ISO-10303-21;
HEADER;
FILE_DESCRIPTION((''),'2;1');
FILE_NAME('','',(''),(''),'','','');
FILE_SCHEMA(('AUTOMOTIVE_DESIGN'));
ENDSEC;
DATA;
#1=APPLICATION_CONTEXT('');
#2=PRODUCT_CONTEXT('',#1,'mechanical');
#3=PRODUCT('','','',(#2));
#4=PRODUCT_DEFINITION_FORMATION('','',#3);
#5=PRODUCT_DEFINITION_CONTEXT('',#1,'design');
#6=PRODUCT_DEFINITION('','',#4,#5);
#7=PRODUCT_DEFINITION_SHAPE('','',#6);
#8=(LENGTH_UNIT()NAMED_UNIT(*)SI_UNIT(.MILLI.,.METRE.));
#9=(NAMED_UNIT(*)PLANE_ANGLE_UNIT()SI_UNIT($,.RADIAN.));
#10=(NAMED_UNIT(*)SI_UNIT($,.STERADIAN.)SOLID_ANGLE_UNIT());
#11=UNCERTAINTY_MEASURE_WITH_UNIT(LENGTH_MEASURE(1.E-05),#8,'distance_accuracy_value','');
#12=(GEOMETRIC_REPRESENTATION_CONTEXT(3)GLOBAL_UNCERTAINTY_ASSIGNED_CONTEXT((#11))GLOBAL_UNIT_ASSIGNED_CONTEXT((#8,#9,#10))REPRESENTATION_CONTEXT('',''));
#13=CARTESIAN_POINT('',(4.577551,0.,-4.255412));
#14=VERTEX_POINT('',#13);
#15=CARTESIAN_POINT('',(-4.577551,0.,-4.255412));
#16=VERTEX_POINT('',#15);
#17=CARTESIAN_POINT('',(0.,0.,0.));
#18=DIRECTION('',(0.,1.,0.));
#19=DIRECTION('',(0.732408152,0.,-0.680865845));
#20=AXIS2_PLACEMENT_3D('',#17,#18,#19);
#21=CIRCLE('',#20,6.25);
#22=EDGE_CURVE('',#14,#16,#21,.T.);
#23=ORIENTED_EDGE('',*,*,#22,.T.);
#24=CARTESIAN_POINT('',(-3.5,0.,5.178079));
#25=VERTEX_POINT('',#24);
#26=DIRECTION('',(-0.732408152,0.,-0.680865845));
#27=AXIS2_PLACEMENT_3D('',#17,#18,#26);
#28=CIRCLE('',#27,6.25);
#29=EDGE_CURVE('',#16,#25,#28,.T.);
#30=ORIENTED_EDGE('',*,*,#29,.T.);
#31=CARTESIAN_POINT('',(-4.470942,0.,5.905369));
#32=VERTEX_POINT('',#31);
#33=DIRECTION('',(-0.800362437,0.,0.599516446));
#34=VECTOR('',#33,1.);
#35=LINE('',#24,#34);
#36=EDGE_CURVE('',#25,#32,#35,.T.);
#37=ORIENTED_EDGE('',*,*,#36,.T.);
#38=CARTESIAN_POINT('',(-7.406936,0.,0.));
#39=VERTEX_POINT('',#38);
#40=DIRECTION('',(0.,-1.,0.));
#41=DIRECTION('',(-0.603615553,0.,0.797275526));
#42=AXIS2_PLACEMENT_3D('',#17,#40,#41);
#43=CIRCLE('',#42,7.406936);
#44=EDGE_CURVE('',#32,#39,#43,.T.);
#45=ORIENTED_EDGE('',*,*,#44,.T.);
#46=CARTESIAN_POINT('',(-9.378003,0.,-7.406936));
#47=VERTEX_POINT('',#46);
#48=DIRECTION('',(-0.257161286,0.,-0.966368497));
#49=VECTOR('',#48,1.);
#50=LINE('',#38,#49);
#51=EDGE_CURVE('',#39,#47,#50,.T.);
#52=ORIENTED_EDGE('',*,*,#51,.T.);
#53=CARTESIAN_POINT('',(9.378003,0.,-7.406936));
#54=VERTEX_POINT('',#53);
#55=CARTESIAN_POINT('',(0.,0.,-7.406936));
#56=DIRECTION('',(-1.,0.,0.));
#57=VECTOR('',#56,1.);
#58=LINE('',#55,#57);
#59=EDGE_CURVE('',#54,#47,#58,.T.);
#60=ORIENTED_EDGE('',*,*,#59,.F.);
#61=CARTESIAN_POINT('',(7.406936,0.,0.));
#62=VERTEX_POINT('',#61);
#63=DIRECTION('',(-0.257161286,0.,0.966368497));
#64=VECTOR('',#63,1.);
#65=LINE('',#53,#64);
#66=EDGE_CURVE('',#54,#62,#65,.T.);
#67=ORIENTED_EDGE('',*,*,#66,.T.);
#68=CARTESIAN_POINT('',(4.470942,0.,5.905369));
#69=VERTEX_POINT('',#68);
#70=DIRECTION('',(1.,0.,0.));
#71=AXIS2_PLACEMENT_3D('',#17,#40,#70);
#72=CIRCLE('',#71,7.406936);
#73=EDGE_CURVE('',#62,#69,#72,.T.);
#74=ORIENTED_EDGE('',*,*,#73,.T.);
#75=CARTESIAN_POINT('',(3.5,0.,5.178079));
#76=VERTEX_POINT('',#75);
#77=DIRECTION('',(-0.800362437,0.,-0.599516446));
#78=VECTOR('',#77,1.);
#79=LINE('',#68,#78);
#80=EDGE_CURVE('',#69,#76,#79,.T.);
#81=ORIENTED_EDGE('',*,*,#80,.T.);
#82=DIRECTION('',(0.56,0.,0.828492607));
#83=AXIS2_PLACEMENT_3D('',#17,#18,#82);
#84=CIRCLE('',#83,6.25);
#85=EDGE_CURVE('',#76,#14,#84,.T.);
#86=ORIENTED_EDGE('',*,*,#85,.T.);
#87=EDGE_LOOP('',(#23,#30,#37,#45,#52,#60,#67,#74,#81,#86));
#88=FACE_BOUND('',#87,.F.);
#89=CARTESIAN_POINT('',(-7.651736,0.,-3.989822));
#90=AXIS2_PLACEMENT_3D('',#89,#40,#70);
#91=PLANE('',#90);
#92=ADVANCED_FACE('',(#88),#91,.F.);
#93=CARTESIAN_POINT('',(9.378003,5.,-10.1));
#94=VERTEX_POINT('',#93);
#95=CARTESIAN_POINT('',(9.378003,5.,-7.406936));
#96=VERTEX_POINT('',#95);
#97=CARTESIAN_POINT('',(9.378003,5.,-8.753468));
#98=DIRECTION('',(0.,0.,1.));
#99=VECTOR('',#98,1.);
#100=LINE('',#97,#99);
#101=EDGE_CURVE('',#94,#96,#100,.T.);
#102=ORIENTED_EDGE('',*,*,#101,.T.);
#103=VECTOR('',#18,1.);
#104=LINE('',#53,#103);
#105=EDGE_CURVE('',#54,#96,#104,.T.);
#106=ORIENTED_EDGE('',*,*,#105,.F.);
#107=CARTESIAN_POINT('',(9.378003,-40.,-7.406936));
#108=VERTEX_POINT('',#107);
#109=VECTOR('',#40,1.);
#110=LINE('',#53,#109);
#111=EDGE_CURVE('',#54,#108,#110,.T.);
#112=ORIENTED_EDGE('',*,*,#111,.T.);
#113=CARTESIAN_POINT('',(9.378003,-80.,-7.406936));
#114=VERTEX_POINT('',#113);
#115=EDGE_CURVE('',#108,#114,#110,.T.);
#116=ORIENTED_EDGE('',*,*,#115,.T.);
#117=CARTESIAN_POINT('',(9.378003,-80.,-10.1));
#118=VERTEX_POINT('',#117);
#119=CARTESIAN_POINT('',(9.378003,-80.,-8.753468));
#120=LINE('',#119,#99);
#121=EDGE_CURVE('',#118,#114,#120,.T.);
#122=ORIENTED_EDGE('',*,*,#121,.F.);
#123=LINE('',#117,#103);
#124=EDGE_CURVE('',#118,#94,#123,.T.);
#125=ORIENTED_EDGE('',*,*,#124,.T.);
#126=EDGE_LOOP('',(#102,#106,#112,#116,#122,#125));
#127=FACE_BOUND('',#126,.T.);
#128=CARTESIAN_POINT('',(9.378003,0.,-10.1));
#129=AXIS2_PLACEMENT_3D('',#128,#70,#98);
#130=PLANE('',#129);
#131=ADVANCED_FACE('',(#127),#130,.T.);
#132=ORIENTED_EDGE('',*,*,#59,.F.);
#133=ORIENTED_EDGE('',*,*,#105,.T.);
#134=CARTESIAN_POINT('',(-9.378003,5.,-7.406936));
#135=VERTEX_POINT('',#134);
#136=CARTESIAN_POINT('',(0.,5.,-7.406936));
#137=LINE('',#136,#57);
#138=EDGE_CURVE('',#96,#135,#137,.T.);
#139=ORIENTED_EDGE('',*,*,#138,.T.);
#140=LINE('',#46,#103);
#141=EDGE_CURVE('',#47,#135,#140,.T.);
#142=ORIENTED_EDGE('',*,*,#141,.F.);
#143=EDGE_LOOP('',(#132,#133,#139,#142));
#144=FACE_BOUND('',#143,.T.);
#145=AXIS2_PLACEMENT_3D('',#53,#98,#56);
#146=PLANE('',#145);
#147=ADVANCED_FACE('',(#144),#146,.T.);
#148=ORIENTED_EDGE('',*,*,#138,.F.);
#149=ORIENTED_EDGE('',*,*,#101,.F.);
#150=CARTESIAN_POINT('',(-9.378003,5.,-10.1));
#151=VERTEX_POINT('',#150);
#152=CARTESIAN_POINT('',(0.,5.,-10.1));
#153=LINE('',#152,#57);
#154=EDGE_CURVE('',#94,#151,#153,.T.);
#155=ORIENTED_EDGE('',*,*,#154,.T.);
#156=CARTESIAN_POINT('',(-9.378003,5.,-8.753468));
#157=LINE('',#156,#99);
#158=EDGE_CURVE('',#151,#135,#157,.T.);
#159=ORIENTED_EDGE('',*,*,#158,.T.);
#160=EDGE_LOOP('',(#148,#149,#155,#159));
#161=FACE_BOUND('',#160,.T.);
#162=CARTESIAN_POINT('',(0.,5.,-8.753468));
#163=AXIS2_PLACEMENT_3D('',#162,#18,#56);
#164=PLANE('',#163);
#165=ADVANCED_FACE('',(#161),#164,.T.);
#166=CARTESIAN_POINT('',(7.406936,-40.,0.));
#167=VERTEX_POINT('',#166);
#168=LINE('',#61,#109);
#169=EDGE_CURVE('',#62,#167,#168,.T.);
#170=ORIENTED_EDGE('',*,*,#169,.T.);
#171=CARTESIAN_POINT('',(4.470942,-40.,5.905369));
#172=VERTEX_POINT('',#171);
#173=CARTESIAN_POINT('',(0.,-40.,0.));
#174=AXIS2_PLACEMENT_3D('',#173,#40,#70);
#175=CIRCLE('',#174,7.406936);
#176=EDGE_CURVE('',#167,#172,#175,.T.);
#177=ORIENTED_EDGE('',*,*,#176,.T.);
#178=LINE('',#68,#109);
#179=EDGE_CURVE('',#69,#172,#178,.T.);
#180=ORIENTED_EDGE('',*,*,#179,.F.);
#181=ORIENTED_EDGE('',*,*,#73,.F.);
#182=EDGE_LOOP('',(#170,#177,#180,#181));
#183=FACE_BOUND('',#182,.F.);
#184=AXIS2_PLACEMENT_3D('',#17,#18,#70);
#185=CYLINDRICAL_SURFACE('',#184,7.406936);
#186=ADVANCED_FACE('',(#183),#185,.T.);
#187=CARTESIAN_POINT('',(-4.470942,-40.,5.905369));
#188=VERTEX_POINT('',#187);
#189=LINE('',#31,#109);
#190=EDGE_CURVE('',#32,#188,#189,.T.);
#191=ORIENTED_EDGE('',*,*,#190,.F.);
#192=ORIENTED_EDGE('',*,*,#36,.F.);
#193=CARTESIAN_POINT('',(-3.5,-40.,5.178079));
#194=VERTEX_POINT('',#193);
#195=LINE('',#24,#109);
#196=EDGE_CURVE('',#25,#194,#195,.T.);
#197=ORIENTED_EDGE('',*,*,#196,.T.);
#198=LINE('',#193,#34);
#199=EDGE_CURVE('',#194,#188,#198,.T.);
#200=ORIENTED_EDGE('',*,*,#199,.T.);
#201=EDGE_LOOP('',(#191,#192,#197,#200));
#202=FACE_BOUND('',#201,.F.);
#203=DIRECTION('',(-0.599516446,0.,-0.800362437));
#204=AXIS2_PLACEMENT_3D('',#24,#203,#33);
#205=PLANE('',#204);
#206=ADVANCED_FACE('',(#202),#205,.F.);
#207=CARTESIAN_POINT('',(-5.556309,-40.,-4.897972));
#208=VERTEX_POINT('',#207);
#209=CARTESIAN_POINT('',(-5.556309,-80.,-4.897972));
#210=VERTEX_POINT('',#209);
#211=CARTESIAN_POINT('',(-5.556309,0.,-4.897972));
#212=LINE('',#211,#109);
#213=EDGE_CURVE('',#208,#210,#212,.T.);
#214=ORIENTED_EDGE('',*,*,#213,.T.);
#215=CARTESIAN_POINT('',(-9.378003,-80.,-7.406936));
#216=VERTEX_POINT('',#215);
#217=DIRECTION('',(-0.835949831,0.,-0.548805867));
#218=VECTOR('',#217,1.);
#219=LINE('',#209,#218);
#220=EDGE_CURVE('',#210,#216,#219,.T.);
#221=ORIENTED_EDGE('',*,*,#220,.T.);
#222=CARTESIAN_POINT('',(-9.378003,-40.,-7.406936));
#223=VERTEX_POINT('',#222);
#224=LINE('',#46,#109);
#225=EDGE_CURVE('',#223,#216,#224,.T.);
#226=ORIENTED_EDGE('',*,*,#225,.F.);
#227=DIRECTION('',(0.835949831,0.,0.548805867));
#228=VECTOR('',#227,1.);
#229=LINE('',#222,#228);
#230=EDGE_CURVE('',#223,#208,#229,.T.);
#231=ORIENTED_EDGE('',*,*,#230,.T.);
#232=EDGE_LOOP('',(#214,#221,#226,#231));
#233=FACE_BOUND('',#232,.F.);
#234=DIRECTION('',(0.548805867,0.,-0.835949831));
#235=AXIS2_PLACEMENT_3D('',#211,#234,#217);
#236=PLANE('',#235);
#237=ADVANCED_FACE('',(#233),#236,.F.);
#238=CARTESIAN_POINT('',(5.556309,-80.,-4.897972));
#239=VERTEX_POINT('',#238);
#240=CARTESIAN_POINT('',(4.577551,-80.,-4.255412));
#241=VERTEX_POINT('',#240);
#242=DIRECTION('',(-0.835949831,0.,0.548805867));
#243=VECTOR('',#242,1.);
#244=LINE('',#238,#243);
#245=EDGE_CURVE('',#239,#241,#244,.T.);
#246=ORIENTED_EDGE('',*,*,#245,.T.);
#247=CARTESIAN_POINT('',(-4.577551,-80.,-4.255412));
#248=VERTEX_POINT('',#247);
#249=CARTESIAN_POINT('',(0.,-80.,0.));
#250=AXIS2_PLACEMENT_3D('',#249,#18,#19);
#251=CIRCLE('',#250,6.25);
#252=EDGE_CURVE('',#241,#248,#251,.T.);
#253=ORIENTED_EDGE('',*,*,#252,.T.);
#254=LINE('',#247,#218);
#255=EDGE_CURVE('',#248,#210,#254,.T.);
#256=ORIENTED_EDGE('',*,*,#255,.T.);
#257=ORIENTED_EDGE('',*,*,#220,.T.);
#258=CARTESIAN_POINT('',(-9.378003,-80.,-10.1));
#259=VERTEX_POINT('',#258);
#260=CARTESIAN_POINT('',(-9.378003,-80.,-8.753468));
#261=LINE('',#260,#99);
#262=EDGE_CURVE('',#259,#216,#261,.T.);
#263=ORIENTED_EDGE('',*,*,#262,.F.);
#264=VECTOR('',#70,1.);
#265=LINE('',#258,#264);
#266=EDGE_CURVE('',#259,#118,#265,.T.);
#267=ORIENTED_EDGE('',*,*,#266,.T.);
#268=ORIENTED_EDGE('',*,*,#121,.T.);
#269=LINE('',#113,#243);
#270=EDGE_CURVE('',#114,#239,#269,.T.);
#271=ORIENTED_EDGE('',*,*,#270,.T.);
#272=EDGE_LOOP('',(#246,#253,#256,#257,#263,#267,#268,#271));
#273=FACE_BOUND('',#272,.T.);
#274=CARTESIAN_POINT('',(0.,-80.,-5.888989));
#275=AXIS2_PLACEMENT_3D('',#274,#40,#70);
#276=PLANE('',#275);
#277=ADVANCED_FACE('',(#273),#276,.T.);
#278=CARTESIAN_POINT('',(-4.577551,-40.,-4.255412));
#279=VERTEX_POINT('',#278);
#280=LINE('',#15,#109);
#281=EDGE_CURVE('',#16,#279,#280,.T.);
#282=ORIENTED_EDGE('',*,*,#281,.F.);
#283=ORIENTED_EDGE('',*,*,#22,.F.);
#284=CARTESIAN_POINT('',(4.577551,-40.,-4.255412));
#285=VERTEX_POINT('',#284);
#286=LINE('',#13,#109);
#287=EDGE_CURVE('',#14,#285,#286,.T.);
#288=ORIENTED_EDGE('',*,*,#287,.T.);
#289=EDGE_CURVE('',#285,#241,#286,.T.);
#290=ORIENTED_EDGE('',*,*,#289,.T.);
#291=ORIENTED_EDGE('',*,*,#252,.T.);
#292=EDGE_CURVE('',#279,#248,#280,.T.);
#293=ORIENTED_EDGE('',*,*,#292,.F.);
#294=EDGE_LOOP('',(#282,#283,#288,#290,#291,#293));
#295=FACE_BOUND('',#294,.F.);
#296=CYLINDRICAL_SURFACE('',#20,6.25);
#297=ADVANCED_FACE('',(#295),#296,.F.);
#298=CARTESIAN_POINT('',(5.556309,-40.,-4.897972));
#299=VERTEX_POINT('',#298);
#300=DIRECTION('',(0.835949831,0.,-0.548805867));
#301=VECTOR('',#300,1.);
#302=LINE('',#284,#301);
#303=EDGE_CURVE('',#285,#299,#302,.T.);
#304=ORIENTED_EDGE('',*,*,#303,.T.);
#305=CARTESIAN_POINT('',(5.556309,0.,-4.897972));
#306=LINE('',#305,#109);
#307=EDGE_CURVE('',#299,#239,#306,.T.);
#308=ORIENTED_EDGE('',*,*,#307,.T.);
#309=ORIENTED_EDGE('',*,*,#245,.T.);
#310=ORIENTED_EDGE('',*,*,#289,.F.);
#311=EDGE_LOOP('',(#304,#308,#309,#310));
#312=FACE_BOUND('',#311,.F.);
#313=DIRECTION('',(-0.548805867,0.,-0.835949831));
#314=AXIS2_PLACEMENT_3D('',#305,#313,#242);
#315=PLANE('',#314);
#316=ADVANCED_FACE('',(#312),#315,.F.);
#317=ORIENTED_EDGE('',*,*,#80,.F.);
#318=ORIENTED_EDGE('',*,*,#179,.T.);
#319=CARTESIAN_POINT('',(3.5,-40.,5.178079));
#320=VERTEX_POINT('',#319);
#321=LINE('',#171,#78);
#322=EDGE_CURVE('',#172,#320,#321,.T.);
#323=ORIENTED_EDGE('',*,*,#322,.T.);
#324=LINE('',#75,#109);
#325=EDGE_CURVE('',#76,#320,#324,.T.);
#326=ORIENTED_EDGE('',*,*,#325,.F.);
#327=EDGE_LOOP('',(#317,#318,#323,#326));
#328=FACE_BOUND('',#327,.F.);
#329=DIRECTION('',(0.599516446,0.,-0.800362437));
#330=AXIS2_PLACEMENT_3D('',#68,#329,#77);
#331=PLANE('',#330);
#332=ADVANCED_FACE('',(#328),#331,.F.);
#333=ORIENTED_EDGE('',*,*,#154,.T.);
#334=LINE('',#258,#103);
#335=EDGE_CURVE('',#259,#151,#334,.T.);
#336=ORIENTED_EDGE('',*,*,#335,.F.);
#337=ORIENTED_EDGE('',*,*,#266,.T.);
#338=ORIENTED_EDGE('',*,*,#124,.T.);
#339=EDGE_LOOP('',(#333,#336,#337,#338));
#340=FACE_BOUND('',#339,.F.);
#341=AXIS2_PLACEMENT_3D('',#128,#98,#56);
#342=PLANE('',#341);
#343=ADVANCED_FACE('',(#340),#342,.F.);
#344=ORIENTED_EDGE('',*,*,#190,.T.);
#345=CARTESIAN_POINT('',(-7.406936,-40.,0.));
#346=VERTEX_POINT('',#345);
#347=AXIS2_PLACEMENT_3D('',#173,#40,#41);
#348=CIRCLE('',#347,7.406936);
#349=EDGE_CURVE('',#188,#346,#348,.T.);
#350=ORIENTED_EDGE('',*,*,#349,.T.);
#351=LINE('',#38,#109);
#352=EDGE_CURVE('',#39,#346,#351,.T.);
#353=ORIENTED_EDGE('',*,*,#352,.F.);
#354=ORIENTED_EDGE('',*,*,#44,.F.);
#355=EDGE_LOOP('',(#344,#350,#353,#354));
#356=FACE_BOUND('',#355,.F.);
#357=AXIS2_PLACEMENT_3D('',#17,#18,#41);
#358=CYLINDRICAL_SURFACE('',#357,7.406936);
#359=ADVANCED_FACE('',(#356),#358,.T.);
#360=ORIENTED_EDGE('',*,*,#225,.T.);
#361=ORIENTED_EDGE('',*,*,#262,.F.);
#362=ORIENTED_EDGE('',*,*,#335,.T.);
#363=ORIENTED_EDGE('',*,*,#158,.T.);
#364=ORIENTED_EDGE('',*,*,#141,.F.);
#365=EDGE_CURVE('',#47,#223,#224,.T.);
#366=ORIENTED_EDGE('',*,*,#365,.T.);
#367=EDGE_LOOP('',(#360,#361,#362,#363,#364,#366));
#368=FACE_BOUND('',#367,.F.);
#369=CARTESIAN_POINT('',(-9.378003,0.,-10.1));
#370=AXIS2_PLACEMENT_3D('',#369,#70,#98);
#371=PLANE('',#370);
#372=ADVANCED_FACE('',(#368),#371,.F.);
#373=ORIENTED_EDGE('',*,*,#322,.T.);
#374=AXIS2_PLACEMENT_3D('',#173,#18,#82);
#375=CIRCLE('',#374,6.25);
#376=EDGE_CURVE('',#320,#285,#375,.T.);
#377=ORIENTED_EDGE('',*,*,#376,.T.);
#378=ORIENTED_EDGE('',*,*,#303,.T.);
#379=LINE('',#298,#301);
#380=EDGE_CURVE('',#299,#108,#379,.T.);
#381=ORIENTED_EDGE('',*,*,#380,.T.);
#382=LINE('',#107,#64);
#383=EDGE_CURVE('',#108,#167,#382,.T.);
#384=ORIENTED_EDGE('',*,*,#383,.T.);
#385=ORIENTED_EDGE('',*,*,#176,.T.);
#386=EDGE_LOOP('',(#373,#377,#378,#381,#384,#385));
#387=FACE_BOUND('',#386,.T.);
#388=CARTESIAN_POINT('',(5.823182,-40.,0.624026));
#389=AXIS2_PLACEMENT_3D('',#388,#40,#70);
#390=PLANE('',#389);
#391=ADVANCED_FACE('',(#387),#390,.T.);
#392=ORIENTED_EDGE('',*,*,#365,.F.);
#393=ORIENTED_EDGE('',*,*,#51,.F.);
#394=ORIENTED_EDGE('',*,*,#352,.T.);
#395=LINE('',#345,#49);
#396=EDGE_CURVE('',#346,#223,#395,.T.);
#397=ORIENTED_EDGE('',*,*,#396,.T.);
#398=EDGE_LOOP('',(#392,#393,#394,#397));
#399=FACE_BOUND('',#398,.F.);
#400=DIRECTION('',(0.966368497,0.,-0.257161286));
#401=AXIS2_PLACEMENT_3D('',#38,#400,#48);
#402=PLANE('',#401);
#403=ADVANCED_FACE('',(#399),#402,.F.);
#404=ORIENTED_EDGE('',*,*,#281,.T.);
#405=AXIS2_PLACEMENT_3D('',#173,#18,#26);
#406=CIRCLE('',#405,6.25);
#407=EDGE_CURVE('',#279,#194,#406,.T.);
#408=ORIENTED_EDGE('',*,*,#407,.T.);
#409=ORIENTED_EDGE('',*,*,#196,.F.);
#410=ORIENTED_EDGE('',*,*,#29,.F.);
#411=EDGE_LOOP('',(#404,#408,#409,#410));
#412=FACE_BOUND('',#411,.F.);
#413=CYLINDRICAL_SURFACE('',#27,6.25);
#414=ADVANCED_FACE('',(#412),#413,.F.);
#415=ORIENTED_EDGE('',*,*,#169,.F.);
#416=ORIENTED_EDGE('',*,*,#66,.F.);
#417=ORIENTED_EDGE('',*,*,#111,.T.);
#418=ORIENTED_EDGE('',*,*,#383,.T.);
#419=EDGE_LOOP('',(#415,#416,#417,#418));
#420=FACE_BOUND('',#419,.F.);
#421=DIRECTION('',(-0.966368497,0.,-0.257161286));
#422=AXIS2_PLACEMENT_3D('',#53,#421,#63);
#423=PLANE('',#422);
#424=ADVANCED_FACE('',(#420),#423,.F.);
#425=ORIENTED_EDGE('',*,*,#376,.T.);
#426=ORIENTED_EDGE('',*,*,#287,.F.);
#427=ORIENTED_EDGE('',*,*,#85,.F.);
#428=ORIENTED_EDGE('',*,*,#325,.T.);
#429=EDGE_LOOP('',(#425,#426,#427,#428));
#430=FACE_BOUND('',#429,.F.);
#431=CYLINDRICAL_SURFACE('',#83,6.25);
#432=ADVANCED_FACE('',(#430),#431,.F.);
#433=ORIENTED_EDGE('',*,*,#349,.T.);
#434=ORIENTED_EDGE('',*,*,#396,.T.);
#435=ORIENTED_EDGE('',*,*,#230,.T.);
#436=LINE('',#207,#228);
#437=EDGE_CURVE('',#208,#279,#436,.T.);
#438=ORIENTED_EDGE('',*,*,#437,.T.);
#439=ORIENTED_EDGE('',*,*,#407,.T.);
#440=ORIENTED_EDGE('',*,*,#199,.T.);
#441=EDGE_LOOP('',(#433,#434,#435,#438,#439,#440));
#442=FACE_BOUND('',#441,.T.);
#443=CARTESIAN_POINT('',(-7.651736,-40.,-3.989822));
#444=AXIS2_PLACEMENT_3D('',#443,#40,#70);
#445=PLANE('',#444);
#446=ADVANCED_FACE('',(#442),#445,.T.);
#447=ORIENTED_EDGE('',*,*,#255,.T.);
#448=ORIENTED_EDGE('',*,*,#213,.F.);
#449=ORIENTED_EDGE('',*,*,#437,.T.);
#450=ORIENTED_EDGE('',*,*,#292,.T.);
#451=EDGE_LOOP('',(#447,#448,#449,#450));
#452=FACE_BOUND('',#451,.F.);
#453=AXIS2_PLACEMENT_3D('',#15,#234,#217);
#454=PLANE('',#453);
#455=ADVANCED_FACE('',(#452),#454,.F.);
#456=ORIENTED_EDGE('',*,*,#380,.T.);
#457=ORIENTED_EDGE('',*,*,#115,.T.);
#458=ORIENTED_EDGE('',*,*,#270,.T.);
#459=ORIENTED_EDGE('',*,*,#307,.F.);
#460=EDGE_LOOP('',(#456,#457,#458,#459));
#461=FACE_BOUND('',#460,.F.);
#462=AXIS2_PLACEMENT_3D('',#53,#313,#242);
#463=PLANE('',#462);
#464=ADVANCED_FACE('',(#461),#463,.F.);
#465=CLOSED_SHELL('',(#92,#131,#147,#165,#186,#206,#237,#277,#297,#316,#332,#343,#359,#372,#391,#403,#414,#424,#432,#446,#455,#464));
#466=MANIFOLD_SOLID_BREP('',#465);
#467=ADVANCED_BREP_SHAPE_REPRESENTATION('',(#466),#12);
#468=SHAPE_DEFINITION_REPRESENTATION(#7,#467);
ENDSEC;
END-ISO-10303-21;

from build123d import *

# Parameters (mm, degrees)
F0_W     = 9.3780029565
F0_H     = 2.6930641449
F1_DEPTH = 80
F2_DEPTH = 40
F3_W     = 18.756005913
F3_H     = 2.6930641449
F4_DEPTH = 5


with BuildPart() as f1:
    # F0 (on Front) → F1 (new body)
    with BuildSketch(Plane.XZ):
        with BuildLine():
            ThreePointArc((4.5775509482, -4.2554115332), (0, -6.25), (-4.5775509482, -4.2554115332))
            Line((-4.5775509482, -4.2554115332), (-5.5563090648, -4.8979718597))
            ThreePointArc((-5.5563090648, -4.8979718597), (-3.0482564998, -6.7506170883), (0, -7.4069358551))
            ThreePointArc((0, -7.4069358551), (3.0482564998, -6.7506170883), (5.5563090648, -4.8979718597))
            Line((5.5563090648, -4.8979718597), (4.5775509482, -4.2554115332))
        make_face()
        with BuildLine():
            Line((9.3780029565, -7.4069358551), (5.5563090648, -4.8979718597))
            ThreePointArc((5.5563090648, -4.8979718597), (3.0482564998, -6.7506170883), (0, -7.4069358551))
            Line((0, -7.4069358551), (9.3780029565, -7.4069358551))
        make_face()
        with BuildLine():
            ThreePointArc((0, -7.4069358551), (-3.0482564998, -6.7506170883), (-5.5563090648, -4.8979718597))
            Line((-5.5563090648, -4.8979718597), (-9.3780029565, -7.4069358551))
            Line((-9.3780029565, -7.4069358551), (0, -7.4069358551))
        make_face()
        with Locations((-4.6890014783, -8.7534679275)):
            Rectangle(F0_W, F0_H)
        with Locations((4.6890014783, -8.7534679275)):
            Rectangle(F0_W, F0_H)
    extrude(amount=F1_DEPTH)

    # F0 (on Front) → F2 (join)
    with BuildSketch(Plane.XZ):
        with BuildLine():
            Line((-9.3780029565, -7.4069358551), (-5.5563090648, -4.8979718597))
            ThreePointArc((-5.5563090648, -4.8979718597), (-6.9288499621, -2.6179642785), (-7.4069358551, 0))
            Line((-7.4069358551, 0), (-9.3780029565, -7.4069358551))
        make_face()
        with BuildLine():
            ThreePointArc((-4.5775509482, -4.2554115332), (-6.2096209441, 0.7093008742), (-3.5, 5.1780787943))
            Line((-3.5, 5.1780787943), (-4.4709416805, 5.9053686803))
            ThreePointArc((-4.4709416805, 5.9053686803), (-6.6324458912, 3.2974778636), (-7.4069358551, 0))
            ThreePointArc((-7.4069358551, 0), (-6.9288499621, -2.6179642785), (-5.5563090648, -4.8979718597))
            Line((-5.5563090648, -4.8979718597), (-4.5775509482, -4.2554115332))
        make_face()
        with BuildLine():
            ThreePointArc((3.5, 5.1780787943), (6.2096209441, 0.7093008742), (4.5775509482, -4.2554115332))
            Line((4.5775509482, -4.2554115332), (5.5563090648, -4.8979718597))
            ThreePointArc((5.5563090648, -4.8979718597), (6.9288499621, -2.6179642785), (7.4069358551, 0))
            ThreePointArc((7.4069358551, 0), (6.6324458912, 3.2974778636), (4.4709416805, 5.9053686803))
            Line((4.4709416805, 5.9053686803), (3.5, 5.1780787943))
        make_face()
        with BuildLine():
            ThreePointArc((7.4069358551, 0), (6.9288499621, -2.6179642785), (5.5563090648, -4.8979718597))
            Line((5.5563090648, -4.8979718597), (9.3780029565, -7.4069358551))
            Line((9.3780029565, -7.4069358551), (7.4069358551, 0))
        make_face()
    extrude(amount=F2_DEPTH)

    # F3 (on face) → F4 (join)
    with BuildSketch(Plane(origin=(0, 0, 0), x_dir=(-1, 0, 0), z_dir=(0, 1, 0))):
        with Locations((0, -8.7534679275)):
            Rectangle(F3_W, F3_H)
    extrude(amount=F4_DEPTH)


solid = f1.part
